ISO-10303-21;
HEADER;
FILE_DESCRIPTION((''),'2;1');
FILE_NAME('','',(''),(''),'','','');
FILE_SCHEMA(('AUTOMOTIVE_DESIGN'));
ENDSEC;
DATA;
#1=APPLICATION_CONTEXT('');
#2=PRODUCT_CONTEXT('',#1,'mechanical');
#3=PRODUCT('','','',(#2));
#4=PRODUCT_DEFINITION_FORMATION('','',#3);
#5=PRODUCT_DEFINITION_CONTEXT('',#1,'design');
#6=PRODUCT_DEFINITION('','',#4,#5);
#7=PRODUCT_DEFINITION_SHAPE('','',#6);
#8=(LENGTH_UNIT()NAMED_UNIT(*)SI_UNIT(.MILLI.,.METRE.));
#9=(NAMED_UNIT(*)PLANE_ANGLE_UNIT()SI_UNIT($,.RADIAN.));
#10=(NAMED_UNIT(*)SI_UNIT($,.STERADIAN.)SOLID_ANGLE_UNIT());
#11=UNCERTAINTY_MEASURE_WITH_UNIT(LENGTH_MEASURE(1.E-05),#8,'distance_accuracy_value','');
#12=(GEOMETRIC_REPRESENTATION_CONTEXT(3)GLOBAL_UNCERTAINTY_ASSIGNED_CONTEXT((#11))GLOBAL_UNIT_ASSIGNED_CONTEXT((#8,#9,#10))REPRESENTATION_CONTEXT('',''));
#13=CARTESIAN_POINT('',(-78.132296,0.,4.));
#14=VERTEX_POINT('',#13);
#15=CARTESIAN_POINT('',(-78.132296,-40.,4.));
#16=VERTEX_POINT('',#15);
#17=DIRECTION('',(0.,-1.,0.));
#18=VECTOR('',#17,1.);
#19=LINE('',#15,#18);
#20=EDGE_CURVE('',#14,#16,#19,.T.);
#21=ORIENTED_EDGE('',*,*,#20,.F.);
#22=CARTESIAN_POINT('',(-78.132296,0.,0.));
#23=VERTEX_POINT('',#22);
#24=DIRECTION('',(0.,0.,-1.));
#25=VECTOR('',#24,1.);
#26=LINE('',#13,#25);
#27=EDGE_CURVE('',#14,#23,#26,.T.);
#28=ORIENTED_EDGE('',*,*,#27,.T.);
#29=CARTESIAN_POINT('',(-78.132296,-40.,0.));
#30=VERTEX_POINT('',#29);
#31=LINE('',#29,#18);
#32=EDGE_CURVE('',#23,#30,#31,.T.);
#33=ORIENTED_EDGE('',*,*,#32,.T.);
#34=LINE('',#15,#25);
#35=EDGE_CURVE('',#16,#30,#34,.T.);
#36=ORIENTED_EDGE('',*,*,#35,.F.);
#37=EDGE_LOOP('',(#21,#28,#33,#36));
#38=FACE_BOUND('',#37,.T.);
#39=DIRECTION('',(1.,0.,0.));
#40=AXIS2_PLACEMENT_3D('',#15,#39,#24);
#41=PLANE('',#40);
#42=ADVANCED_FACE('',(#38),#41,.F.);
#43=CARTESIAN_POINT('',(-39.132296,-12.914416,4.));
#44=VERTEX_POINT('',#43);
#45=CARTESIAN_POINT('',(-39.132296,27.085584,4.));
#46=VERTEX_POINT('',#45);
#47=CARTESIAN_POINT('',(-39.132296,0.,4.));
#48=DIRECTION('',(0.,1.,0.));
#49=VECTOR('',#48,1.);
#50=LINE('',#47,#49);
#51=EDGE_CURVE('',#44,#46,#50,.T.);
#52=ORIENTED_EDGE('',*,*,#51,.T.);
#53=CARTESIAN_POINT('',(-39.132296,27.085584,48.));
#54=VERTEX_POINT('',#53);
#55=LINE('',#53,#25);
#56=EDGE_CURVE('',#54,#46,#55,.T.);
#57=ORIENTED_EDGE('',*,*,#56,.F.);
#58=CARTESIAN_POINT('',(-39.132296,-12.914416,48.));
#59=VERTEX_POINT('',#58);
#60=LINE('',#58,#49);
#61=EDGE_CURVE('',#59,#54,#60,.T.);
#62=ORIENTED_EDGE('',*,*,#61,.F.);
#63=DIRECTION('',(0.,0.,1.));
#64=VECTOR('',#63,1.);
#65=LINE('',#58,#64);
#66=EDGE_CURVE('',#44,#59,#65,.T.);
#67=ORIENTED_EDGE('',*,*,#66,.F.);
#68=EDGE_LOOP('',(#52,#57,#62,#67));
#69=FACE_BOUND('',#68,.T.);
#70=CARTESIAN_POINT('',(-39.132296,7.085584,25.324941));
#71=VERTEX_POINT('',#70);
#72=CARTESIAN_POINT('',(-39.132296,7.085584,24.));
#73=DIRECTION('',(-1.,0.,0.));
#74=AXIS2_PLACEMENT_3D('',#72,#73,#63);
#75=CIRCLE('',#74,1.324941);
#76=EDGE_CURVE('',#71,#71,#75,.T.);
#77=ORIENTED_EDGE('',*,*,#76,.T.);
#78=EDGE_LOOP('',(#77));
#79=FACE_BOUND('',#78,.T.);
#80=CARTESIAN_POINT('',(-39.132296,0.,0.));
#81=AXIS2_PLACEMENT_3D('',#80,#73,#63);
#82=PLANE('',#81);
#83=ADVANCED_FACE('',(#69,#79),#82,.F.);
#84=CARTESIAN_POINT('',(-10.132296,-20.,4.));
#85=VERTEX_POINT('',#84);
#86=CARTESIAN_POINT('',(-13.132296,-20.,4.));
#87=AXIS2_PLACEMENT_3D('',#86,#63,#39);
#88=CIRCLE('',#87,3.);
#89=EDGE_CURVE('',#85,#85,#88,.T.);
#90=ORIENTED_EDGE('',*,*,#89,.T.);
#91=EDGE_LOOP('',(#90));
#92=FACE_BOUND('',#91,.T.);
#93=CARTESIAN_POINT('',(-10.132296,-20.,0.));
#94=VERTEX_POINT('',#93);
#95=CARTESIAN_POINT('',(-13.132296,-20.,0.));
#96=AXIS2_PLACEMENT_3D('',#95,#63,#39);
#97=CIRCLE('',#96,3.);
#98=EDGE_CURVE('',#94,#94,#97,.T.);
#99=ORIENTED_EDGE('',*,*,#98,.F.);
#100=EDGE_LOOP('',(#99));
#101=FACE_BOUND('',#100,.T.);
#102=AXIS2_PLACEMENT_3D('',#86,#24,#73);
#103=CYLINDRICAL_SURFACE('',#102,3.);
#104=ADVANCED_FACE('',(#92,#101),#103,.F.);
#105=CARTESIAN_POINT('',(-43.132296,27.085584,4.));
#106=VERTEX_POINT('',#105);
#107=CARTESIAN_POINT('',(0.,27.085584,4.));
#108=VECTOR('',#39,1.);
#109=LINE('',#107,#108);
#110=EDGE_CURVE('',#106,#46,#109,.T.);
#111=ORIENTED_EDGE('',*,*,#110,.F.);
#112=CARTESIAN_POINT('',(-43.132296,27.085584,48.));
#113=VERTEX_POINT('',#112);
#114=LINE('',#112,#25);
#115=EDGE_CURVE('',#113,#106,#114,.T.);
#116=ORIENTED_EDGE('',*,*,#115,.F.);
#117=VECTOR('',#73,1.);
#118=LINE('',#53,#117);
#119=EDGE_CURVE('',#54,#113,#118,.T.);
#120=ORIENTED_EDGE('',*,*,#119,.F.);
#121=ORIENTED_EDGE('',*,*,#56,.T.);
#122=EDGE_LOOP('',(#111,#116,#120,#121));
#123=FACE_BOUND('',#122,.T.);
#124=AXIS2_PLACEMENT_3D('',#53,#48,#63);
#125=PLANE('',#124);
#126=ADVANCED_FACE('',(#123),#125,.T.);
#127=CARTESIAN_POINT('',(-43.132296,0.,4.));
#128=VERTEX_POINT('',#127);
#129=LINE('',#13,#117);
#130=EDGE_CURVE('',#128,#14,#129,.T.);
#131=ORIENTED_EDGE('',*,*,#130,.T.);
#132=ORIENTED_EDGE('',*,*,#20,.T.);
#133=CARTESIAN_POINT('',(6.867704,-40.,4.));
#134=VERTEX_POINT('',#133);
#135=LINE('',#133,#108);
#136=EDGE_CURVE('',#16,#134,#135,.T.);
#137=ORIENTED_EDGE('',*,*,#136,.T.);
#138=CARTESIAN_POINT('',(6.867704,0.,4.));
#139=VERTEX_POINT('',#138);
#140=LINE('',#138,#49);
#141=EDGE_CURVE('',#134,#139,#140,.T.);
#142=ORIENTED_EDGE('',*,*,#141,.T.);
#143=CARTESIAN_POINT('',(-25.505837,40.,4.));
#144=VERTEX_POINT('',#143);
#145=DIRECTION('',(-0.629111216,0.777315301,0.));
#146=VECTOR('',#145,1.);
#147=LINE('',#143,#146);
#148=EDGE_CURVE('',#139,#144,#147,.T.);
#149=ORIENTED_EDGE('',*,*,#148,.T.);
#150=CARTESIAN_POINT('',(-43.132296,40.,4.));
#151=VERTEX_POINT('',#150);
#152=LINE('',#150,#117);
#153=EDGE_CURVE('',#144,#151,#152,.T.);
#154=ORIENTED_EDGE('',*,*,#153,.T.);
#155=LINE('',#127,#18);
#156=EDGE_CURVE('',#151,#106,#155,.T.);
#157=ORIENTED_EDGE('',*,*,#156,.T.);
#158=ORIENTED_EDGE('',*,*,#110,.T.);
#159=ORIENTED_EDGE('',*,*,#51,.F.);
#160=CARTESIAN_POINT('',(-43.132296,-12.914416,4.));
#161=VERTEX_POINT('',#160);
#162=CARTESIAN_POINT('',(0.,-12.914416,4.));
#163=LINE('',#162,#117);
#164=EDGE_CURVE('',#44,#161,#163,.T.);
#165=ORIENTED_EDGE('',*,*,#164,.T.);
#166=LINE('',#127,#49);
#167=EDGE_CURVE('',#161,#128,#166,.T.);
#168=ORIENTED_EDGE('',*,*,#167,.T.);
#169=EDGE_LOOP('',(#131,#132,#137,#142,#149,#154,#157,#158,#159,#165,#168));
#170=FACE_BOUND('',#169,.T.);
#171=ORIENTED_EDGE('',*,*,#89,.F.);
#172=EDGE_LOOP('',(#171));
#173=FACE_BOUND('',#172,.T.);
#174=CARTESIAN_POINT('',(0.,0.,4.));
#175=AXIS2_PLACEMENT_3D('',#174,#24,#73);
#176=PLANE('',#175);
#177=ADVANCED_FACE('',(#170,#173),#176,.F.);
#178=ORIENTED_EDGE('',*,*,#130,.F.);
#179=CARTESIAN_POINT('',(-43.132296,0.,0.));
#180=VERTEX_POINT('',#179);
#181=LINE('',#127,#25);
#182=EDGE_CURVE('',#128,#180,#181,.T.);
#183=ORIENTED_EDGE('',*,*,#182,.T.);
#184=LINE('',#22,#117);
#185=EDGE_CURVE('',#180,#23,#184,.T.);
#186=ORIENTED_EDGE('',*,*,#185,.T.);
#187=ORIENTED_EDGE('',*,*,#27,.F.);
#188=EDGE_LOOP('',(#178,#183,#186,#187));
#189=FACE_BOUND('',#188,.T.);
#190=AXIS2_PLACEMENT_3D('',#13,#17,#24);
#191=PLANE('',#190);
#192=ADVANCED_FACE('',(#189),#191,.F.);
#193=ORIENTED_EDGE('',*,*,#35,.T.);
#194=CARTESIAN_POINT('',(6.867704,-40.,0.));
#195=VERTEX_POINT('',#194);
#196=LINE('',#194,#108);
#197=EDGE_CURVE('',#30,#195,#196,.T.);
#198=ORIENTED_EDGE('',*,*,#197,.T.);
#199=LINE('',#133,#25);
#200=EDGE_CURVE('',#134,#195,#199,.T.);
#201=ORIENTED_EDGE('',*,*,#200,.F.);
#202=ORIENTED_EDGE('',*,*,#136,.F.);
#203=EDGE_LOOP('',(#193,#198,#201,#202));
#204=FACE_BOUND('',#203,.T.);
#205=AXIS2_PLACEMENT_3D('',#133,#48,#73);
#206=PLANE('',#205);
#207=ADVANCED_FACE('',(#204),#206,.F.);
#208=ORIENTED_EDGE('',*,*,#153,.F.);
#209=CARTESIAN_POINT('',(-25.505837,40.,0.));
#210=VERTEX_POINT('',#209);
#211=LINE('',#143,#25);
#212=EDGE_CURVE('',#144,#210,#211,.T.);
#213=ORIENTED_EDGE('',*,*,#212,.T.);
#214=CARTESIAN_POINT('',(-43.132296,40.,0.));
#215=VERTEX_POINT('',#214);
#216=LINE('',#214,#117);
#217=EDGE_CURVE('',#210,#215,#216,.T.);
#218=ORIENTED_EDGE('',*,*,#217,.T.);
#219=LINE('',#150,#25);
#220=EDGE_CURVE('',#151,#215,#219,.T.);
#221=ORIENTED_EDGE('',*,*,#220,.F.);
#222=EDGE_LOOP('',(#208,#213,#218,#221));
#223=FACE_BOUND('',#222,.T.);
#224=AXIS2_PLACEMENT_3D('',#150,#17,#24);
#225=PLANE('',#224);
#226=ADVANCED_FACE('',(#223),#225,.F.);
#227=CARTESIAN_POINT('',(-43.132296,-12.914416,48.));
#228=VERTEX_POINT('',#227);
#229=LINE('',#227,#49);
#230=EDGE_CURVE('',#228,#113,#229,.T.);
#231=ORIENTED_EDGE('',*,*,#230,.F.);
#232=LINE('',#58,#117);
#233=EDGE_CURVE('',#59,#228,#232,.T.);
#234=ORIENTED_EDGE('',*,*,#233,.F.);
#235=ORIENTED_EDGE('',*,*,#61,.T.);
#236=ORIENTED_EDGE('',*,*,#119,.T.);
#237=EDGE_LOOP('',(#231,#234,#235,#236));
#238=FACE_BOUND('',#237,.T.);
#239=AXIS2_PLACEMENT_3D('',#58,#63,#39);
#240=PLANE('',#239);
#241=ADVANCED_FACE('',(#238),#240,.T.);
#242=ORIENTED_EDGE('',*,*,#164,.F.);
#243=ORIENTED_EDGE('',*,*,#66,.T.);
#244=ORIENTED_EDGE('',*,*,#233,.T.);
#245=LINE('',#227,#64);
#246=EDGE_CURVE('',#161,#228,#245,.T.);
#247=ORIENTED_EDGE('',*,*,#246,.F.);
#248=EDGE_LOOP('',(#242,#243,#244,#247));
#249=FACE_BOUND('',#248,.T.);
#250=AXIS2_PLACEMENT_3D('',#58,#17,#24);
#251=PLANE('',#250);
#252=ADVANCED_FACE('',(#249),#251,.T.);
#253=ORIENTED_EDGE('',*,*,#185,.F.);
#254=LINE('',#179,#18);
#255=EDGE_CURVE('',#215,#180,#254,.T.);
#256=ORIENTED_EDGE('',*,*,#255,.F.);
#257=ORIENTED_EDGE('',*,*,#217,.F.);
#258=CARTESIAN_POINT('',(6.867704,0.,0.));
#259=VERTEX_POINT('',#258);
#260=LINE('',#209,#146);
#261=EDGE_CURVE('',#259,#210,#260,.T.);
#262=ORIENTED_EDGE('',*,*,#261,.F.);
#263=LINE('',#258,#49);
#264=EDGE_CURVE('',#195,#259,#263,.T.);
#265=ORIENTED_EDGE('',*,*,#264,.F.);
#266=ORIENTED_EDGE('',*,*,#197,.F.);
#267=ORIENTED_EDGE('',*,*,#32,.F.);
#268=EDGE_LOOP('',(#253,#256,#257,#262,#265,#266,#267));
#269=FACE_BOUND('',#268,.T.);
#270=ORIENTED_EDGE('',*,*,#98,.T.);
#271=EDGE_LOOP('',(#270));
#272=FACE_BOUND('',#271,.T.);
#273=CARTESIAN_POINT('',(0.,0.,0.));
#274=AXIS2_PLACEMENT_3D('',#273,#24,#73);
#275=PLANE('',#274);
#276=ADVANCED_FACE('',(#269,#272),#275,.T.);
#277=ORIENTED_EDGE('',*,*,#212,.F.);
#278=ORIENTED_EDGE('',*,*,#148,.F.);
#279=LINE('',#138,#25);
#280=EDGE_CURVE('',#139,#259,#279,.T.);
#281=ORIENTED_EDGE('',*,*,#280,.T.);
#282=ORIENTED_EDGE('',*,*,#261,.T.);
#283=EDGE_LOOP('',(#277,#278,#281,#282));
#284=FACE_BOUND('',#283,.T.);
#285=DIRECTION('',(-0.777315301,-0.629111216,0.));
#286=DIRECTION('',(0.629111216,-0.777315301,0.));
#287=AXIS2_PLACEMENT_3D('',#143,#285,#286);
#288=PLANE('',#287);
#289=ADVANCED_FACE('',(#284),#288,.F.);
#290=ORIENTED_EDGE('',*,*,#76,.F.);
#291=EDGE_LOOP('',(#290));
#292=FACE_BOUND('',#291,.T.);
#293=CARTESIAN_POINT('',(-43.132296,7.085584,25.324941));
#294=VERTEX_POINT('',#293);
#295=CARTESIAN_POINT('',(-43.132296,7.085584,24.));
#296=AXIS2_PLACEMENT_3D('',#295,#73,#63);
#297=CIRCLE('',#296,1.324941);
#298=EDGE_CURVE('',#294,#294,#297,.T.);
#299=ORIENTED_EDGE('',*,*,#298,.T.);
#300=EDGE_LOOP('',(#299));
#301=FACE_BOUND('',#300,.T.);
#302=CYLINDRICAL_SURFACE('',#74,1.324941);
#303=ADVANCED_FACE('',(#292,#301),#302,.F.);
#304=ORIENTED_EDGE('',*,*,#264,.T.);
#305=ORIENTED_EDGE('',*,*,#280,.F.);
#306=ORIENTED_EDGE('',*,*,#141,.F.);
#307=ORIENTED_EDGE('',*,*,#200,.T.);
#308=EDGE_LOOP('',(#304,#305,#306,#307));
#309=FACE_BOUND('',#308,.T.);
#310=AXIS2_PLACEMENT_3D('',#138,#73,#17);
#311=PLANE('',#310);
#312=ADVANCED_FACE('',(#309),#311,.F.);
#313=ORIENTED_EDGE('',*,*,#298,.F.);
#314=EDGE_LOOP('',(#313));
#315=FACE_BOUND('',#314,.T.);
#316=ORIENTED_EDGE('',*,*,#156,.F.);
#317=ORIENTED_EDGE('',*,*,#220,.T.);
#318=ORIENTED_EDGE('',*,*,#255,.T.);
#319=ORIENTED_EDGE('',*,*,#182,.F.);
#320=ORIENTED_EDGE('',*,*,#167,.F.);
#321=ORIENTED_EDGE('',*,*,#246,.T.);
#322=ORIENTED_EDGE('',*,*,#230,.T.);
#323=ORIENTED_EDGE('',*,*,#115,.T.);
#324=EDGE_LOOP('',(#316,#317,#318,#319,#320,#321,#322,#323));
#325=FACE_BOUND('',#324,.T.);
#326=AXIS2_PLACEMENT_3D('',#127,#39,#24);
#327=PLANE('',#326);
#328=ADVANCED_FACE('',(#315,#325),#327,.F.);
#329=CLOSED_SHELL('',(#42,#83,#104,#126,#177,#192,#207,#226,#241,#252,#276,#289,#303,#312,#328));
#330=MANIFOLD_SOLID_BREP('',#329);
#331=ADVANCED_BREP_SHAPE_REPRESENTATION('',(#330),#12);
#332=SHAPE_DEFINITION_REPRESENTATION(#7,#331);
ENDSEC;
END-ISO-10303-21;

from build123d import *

# Parameters (mm, degrees)
SKIZZE1_R                       = 3
AUFSATZ_LINEAR_AUSTRAGEN1_DEPTH = 4
SKIZZE3_W                       = 48
SKIZZE3_H                       = 40
SKIZZE3_R                       = 1.324941068
AUFSATZ_LINEAR_AUSTRAGEN2_DEPTH = 4


with BuildPart() as part:
    # Skizze1 → Aufsatz-Linear austragen1 (new body)
    with BuildSketch(Plane.XY):
        Polygon((-78.13229572, 0), (-43.13229572, 0), (-43.13229572, 40), (-25.505836576, 40), (6.86770428, 0), (6.86770428, -40), (-78.13229572, -40), align=None)
        with Locations((-13.13229572, -20)):
            Circle(SKIZZE1_R, mode=Mode.SUBTRACT)
    extrude(amount=AUFSATZ_LINEAR_AUSTRAGEN1_DEPTH)

    # Skizze3 → Aufsatz-Linear austragen2 (add)
    with BuildSketch(Plane.ZY.offset(43.13229572)):
        with Locations((24, 7.085584289)):
            Rectangle(SKIZZE3_W, SKIZZE3_H)
        with Locations((24, 7.085584289)):
            Circle(SKIZZE3_R, mode=Mode.SUBTRACT)
    extrude(amount=-AUFSATZ_LINEAR_AUSTRAGEN2_DEPTH)


solid = part.part
